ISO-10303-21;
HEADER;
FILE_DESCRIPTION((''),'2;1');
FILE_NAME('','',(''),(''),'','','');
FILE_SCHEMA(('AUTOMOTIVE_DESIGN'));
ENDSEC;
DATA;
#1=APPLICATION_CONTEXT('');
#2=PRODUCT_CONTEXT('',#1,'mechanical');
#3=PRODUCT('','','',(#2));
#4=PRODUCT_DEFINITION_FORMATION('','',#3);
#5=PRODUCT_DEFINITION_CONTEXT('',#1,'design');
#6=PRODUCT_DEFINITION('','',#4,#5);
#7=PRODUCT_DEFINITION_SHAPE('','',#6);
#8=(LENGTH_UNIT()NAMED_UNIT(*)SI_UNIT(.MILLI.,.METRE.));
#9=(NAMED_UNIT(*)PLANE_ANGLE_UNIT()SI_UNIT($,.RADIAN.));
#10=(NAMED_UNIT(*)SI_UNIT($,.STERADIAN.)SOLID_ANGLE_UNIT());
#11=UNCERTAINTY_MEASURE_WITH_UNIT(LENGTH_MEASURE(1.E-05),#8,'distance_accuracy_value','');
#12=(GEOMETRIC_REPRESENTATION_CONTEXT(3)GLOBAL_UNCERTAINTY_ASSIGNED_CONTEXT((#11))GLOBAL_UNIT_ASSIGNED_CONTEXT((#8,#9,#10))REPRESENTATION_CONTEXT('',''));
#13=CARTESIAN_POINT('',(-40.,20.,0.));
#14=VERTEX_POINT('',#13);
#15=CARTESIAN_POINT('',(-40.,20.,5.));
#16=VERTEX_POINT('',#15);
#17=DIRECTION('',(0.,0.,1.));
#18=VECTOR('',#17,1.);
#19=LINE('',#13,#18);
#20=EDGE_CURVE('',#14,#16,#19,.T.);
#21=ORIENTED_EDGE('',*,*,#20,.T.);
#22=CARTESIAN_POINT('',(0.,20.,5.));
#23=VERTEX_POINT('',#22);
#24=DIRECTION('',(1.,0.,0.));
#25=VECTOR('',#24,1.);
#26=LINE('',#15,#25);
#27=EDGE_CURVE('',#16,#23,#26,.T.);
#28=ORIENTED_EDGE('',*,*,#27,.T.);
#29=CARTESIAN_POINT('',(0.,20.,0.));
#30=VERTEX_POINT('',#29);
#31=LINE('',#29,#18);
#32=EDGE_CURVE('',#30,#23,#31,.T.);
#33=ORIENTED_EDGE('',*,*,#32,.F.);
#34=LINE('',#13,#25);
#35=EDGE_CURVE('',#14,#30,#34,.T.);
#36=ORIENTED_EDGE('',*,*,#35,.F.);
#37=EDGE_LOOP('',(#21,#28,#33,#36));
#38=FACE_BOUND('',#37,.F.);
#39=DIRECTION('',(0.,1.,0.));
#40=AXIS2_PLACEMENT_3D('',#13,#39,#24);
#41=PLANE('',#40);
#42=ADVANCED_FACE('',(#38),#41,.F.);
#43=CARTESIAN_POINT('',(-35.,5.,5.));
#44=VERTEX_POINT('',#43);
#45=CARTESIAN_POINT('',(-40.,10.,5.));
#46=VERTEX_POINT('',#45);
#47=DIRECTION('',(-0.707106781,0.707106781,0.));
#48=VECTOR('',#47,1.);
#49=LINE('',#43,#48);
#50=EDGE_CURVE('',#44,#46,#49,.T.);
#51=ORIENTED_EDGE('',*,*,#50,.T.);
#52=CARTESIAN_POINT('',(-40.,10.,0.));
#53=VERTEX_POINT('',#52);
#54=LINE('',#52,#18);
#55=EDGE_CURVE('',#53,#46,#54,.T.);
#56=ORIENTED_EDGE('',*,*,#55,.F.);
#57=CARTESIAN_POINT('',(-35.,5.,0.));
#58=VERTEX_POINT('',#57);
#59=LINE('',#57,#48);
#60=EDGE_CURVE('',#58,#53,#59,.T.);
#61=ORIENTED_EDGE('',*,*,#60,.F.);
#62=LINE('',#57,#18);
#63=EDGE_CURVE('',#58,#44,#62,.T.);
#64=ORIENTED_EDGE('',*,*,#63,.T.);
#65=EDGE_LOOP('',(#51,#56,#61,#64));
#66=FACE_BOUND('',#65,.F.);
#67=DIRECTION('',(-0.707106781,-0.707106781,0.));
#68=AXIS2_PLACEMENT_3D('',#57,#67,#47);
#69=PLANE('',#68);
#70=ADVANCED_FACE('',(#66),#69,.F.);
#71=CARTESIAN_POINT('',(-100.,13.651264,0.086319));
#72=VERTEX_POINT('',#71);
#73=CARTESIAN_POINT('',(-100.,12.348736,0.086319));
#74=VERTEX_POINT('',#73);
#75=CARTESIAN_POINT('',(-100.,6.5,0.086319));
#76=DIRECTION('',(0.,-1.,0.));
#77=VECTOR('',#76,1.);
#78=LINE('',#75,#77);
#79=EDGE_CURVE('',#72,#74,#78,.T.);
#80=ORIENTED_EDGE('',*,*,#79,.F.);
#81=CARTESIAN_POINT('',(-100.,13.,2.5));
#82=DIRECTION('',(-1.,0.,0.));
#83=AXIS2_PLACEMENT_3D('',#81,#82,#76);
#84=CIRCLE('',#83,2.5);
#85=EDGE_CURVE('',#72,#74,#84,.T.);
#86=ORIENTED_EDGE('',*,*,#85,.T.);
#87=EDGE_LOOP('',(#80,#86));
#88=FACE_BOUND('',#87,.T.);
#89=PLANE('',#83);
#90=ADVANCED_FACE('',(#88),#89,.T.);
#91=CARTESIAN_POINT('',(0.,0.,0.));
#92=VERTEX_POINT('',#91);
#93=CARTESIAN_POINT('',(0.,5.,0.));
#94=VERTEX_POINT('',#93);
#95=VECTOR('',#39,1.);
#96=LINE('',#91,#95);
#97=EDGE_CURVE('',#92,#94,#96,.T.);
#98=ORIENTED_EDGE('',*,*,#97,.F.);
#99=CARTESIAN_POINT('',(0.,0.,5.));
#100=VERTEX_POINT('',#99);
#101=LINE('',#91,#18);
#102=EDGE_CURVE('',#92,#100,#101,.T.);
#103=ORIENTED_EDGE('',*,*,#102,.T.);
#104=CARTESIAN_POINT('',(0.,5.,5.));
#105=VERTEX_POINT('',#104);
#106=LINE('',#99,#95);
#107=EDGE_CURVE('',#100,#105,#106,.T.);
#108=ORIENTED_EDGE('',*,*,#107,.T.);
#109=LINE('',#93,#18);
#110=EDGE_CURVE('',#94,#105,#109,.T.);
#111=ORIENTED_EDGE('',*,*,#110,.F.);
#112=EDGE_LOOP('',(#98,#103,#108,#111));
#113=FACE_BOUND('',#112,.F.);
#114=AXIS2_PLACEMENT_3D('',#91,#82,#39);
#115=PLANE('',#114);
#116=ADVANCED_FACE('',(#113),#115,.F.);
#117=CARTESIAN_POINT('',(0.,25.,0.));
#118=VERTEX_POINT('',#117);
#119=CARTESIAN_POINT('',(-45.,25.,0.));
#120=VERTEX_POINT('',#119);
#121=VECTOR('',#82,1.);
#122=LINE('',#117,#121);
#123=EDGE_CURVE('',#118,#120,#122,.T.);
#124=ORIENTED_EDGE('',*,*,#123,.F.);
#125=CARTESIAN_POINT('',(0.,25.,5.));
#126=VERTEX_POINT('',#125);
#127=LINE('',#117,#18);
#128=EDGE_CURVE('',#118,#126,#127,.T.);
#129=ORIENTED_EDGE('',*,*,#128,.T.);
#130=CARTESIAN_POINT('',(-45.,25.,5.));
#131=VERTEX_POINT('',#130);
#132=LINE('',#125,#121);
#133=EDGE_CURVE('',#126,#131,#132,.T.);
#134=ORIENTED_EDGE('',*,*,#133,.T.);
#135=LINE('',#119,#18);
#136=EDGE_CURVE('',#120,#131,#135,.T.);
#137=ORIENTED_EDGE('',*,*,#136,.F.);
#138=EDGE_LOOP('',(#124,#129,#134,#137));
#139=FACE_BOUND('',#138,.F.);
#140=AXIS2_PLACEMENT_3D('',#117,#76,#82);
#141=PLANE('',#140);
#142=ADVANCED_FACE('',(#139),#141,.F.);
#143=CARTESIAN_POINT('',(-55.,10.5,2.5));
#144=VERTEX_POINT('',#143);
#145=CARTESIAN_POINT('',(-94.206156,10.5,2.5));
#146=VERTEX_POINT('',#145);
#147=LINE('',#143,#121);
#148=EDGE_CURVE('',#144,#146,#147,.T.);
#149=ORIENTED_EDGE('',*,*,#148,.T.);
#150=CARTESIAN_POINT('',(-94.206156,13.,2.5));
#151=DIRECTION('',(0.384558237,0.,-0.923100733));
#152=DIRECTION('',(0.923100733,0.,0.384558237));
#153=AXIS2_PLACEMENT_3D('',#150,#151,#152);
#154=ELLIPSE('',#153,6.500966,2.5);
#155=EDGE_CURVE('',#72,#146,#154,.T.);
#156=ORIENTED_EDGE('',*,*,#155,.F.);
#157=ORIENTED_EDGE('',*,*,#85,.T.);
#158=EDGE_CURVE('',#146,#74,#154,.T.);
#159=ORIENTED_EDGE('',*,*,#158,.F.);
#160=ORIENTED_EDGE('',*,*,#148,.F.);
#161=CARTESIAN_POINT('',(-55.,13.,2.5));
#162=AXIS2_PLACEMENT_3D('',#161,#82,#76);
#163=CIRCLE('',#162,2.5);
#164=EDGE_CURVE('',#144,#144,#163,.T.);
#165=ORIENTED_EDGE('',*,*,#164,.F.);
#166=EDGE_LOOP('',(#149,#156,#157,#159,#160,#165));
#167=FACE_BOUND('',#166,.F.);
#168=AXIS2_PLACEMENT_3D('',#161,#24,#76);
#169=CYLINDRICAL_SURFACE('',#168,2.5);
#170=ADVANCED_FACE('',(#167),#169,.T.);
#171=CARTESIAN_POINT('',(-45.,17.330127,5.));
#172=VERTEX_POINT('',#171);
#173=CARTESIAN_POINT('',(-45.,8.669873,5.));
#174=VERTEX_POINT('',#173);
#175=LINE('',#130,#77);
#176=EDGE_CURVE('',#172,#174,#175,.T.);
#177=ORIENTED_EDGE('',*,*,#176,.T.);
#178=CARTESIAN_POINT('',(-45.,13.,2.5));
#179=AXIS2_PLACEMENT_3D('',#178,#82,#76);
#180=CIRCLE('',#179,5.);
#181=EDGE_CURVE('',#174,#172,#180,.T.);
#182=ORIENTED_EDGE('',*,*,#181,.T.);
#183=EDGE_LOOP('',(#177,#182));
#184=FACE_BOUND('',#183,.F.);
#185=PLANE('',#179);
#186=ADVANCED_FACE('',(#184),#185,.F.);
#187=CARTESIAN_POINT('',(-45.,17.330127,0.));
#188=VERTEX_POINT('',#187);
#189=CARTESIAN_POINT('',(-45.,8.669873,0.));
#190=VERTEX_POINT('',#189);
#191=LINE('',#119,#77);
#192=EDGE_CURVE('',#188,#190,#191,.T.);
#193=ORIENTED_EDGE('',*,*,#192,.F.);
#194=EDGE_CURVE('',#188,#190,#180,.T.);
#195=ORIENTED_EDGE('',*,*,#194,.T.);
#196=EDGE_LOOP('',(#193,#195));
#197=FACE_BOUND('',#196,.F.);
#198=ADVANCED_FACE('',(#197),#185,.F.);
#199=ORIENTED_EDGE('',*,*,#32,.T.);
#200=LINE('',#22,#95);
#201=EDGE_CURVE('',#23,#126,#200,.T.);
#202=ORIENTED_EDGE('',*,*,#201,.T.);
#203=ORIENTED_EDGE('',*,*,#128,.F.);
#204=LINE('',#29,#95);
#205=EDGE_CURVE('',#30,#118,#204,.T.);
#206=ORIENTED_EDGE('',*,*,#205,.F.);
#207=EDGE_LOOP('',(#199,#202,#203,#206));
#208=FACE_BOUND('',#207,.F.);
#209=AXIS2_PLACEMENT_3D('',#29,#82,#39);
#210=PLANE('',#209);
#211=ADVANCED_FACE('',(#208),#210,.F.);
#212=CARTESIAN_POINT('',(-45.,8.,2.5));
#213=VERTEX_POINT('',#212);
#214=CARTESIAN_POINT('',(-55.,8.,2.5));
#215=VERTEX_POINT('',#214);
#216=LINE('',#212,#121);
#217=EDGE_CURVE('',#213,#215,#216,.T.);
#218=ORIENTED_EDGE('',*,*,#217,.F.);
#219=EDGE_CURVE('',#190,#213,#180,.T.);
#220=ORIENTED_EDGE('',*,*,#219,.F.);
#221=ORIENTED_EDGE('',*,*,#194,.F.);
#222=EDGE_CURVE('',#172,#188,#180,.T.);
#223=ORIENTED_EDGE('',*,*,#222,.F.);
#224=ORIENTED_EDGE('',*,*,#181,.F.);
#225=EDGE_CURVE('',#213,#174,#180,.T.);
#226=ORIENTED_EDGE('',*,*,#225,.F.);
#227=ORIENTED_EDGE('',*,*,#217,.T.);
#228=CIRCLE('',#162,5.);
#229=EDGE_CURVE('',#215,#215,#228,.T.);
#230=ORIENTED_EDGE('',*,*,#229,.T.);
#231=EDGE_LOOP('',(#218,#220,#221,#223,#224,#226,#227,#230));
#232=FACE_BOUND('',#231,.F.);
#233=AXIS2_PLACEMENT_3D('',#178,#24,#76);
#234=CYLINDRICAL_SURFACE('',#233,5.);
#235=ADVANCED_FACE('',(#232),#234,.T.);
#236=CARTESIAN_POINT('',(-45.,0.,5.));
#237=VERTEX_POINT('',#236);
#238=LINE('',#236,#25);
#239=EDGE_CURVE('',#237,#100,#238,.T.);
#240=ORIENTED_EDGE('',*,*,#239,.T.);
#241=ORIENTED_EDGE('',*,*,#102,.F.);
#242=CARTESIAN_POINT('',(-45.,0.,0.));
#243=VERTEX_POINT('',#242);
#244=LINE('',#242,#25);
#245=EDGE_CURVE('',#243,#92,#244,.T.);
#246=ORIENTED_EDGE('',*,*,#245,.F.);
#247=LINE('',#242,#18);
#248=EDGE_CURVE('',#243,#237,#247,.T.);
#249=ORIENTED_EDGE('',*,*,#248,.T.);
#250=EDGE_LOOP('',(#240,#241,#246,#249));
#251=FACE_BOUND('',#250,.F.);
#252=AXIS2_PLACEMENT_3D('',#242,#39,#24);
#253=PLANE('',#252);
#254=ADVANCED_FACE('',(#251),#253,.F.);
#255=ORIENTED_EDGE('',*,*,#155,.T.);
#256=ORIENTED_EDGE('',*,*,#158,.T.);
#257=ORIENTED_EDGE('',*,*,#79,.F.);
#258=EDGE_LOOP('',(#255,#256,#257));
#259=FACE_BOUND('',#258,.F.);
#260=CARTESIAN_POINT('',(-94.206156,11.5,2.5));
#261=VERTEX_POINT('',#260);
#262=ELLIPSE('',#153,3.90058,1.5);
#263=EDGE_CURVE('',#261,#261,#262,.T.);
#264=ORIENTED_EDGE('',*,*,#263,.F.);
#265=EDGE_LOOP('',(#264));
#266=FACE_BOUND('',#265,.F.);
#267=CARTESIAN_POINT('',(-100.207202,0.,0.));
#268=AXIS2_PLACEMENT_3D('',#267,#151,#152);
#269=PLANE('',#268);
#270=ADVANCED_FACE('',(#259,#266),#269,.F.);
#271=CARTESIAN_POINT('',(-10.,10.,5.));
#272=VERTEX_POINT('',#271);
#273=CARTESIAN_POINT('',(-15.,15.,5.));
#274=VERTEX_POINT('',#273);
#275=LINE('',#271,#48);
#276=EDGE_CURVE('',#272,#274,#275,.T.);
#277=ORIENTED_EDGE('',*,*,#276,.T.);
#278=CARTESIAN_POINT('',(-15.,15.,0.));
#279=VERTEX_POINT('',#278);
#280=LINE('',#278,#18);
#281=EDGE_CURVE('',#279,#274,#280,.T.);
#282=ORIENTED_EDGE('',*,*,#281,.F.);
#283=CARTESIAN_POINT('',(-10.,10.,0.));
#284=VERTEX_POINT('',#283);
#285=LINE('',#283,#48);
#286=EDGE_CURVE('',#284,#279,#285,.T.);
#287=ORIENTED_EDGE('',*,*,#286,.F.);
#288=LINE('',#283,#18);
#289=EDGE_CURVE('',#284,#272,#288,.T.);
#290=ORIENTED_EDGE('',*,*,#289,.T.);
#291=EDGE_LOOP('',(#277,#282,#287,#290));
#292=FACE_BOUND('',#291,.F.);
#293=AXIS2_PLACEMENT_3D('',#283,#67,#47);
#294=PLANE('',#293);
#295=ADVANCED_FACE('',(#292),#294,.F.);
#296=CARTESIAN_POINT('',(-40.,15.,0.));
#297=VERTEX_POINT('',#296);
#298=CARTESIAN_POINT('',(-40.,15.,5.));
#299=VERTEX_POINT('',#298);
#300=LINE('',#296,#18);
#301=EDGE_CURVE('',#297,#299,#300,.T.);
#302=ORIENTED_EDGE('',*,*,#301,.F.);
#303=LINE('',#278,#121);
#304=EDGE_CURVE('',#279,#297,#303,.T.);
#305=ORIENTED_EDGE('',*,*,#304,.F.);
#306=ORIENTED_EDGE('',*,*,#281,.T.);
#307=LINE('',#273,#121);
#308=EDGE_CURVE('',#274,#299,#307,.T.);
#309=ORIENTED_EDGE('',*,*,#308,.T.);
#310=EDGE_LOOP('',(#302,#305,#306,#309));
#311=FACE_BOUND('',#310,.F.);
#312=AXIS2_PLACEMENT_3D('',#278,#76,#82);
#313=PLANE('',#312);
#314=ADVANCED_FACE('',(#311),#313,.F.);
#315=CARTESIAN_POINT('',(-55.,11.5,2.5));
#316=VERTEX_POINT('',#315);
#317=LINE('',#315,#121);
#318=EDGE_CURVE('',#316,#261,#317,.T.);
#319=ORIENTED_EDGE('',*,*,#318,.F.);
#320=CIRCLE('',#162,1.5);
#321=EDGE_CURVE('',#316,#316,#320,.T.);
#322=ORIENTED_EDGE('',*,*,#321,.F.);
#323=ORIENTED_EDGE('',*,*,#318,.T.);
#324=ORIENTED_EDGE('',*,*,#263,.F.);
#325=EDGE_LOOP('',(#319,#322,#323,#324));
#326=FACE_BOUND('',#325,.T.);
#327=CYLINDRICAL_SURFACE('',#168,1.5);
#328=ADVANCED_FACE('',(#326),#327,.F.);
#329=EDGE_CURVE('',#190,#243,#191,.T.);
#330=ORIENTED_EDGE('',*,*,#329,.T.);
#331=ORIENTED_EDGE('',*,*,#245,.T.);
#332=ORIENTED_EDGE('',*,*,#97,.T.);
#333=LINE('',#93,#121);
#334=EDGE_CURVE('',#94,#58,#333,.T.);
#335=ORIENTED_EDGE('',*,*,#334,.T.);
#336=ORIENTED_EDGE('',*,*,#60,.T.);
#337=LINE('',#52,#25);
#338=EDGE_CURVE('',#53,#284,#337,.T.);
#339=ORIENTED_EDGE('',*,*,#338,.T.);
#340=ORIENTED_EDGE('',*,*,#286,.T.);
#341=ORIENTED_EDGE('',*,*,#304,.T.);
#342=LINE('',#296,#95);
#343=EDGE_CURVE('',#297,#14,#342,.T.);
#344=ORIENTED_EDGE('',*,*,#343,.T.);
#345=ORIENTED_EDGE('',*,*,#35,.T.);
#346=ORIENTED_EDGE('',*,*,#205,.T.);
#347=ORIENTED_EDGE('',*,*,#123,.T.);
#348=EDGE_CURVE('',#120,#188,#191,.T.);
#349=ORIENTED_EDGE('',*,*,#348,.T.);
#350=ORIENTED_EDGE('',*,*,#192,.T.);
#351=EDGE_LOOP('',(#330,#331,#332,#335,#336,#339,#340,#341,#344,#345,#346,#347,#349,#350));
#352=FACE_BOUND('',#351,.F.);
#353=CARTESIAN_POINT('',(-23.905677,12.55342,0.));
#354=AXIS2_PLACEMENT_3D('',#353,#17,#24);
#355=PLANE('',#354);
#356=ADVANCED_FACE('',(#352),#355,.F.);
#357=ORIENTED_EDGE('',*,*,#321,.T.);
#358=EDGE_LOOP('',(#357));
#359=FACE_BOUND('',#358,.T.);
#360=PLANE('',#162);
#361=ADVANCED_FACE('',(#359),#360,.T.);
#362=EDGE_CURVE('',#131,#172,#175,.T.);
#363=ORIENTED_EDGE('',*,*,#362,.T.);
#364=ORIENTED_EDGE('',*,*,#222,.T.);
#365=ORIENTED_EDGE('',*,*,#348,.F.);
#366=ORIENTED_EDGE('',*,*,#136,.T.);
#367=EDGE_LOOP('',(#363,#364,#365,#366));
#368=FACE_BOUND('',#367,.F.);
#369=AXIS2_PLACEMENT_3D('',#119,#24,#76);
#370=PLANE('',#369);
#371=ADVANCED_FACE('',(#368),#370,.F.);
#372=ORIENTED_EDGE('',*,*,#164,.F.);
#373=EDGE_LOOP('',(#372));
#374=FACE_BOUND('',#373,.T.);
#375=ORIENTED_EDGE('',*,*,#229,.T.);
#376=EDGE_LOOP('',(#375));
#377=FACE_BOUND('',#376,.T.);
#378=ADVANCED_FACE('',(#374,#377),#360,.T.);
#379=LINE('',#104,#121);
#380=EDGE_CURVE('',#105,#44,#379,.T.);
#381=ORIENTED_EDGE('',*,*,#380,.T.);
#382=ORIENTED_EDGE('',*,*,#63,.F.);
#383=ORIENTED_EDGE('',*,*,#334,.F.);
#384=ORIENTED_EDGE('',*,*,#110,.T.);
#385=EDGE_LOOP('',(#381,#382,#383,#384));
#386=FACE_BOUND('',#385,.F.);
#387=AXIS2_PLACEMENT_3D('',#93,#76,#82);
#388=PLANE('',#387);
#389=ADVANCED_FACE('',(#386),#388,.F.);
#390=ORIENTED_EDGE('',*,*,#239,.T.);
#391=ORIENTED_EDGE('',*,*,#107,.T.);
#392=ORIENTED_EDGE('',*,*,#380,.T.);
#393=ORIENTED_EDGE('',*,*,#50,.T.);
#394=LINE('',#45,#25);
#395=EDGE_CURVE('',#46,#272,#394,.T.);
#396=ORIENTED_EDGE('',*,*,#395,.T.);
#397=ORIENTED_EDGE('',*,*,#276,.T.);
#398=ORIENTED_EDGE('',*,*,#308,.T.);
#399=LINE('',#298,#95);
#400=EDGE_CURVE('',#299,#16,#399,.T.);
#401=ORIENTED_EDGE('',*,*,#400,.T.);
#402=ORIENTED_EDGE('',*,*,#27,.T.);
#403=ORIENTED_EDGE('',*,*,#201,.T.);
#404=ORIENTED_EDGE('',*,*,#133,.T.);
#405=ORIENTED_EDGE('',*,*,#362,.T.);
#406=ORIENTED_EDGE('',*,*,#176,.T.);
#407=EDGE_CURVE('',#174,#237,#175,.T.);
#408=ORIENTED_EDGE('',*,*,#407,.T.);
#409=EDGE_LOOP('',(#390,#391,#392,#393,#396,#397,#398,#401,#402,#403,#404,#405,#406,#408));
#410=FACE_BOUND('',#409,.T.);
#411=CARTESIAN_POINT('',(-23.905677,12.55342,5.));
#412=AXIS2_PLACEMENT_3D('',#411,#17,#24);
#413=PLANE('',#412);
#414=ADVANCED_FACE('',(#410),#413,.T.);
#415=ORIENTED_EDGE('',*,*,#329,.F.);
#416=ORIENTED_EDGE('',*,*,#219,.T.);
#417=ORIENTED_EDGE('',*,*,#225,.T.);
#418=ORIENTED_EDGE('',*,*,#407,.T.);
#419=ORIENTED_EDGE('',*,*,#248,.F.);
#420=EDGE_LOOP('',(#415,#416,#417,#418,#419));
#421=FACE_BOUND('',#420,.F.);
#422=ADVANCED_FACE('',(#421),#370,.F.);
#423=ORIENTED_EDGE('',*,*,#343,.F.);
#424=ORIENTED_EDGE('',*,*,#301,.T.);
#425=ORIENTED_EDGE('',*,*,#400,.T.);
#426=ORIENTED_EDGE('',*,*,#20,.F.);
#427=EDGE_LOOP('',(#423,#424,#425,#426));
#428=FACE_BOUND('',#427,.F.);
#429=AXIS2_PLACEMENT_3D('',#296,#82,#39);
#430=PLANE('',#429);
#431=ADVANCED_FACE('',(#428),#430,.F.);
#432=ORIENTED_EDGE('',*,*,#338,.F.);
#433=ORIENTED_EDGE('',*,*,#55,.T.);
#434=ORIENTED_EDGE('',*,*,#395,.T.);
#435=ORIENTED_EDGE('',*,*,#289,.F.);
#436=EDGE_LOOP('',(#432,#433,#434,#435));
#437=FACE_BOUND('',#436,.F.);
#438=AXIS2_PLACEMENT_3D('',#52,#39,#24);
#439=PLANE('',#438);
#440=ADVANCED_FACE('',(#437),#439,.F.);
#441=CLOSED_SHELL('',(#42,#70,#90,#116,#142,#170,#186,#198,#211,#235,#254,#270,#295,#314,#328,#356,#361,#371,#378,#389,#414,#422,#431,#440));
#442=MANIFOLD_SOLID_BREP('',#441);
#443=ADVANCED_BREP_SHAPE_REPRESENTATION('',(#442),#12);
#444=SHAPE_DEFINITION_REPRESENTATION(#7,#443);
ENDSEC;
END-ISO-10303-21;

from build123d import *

# Parameters (mm, degrees)
F1_DEPTH = 5
F2_R     = 5
F3_DEPTH = 10
F4_R     = 2.5
F4_R_2   = 1.5
F5_DEPTH = 45
F7_DEPTH = 25


with BuildPart() as f1:
    # F0 (on Top) → F1 (new body)
    with BuildSketch(Plane.XY):
        Polygon((-45, 0), (0, 0), (0, 5), (-35, 5), (-40, 10), (-10, 10), (-15, 15), (-40, 15), (-40, 20), (0, 20), (0, 25), (-45, 25), align=None)
    extrude(amount=F1_DEPTH)

    # F2 (on face) → F3 (join)
    with BuildSketch(Plane(origin=(-45, 0, 0), x_dir=(0, -1, 0), z_dir=(-1, 0, 0))):
        with Locations((-13, 2.5)):
            Circle(F2_R)
    extrude(amount=F3_DEPTH)

    # F4 (on face) → F5 (join)
    with BuildSketch(Plane(origin=(-55, 0, 0), x_dir=(0, -1, 0), z_dir=(-1, 0, 0))):
        with Locations((-13, 2.5)):
            Circle(F4_R)
        with Locations((-13, 2.5)):
            Circle(F4_R_2, mode=Mode.SUBTRACT)
    extrude(amount=F5_DEPTH)

    # F6 (on face) → F7 (cut)
    with BuildSketch(Plane.XZ):
        Polygon((-100.207202, 5.022824), (-100.207202, 0), (-88.150322, 5.022824), align=None)
    extrude(amount=-F7_DEPTH, mode=Mode.SUBTRACT)


solid = f1.part
